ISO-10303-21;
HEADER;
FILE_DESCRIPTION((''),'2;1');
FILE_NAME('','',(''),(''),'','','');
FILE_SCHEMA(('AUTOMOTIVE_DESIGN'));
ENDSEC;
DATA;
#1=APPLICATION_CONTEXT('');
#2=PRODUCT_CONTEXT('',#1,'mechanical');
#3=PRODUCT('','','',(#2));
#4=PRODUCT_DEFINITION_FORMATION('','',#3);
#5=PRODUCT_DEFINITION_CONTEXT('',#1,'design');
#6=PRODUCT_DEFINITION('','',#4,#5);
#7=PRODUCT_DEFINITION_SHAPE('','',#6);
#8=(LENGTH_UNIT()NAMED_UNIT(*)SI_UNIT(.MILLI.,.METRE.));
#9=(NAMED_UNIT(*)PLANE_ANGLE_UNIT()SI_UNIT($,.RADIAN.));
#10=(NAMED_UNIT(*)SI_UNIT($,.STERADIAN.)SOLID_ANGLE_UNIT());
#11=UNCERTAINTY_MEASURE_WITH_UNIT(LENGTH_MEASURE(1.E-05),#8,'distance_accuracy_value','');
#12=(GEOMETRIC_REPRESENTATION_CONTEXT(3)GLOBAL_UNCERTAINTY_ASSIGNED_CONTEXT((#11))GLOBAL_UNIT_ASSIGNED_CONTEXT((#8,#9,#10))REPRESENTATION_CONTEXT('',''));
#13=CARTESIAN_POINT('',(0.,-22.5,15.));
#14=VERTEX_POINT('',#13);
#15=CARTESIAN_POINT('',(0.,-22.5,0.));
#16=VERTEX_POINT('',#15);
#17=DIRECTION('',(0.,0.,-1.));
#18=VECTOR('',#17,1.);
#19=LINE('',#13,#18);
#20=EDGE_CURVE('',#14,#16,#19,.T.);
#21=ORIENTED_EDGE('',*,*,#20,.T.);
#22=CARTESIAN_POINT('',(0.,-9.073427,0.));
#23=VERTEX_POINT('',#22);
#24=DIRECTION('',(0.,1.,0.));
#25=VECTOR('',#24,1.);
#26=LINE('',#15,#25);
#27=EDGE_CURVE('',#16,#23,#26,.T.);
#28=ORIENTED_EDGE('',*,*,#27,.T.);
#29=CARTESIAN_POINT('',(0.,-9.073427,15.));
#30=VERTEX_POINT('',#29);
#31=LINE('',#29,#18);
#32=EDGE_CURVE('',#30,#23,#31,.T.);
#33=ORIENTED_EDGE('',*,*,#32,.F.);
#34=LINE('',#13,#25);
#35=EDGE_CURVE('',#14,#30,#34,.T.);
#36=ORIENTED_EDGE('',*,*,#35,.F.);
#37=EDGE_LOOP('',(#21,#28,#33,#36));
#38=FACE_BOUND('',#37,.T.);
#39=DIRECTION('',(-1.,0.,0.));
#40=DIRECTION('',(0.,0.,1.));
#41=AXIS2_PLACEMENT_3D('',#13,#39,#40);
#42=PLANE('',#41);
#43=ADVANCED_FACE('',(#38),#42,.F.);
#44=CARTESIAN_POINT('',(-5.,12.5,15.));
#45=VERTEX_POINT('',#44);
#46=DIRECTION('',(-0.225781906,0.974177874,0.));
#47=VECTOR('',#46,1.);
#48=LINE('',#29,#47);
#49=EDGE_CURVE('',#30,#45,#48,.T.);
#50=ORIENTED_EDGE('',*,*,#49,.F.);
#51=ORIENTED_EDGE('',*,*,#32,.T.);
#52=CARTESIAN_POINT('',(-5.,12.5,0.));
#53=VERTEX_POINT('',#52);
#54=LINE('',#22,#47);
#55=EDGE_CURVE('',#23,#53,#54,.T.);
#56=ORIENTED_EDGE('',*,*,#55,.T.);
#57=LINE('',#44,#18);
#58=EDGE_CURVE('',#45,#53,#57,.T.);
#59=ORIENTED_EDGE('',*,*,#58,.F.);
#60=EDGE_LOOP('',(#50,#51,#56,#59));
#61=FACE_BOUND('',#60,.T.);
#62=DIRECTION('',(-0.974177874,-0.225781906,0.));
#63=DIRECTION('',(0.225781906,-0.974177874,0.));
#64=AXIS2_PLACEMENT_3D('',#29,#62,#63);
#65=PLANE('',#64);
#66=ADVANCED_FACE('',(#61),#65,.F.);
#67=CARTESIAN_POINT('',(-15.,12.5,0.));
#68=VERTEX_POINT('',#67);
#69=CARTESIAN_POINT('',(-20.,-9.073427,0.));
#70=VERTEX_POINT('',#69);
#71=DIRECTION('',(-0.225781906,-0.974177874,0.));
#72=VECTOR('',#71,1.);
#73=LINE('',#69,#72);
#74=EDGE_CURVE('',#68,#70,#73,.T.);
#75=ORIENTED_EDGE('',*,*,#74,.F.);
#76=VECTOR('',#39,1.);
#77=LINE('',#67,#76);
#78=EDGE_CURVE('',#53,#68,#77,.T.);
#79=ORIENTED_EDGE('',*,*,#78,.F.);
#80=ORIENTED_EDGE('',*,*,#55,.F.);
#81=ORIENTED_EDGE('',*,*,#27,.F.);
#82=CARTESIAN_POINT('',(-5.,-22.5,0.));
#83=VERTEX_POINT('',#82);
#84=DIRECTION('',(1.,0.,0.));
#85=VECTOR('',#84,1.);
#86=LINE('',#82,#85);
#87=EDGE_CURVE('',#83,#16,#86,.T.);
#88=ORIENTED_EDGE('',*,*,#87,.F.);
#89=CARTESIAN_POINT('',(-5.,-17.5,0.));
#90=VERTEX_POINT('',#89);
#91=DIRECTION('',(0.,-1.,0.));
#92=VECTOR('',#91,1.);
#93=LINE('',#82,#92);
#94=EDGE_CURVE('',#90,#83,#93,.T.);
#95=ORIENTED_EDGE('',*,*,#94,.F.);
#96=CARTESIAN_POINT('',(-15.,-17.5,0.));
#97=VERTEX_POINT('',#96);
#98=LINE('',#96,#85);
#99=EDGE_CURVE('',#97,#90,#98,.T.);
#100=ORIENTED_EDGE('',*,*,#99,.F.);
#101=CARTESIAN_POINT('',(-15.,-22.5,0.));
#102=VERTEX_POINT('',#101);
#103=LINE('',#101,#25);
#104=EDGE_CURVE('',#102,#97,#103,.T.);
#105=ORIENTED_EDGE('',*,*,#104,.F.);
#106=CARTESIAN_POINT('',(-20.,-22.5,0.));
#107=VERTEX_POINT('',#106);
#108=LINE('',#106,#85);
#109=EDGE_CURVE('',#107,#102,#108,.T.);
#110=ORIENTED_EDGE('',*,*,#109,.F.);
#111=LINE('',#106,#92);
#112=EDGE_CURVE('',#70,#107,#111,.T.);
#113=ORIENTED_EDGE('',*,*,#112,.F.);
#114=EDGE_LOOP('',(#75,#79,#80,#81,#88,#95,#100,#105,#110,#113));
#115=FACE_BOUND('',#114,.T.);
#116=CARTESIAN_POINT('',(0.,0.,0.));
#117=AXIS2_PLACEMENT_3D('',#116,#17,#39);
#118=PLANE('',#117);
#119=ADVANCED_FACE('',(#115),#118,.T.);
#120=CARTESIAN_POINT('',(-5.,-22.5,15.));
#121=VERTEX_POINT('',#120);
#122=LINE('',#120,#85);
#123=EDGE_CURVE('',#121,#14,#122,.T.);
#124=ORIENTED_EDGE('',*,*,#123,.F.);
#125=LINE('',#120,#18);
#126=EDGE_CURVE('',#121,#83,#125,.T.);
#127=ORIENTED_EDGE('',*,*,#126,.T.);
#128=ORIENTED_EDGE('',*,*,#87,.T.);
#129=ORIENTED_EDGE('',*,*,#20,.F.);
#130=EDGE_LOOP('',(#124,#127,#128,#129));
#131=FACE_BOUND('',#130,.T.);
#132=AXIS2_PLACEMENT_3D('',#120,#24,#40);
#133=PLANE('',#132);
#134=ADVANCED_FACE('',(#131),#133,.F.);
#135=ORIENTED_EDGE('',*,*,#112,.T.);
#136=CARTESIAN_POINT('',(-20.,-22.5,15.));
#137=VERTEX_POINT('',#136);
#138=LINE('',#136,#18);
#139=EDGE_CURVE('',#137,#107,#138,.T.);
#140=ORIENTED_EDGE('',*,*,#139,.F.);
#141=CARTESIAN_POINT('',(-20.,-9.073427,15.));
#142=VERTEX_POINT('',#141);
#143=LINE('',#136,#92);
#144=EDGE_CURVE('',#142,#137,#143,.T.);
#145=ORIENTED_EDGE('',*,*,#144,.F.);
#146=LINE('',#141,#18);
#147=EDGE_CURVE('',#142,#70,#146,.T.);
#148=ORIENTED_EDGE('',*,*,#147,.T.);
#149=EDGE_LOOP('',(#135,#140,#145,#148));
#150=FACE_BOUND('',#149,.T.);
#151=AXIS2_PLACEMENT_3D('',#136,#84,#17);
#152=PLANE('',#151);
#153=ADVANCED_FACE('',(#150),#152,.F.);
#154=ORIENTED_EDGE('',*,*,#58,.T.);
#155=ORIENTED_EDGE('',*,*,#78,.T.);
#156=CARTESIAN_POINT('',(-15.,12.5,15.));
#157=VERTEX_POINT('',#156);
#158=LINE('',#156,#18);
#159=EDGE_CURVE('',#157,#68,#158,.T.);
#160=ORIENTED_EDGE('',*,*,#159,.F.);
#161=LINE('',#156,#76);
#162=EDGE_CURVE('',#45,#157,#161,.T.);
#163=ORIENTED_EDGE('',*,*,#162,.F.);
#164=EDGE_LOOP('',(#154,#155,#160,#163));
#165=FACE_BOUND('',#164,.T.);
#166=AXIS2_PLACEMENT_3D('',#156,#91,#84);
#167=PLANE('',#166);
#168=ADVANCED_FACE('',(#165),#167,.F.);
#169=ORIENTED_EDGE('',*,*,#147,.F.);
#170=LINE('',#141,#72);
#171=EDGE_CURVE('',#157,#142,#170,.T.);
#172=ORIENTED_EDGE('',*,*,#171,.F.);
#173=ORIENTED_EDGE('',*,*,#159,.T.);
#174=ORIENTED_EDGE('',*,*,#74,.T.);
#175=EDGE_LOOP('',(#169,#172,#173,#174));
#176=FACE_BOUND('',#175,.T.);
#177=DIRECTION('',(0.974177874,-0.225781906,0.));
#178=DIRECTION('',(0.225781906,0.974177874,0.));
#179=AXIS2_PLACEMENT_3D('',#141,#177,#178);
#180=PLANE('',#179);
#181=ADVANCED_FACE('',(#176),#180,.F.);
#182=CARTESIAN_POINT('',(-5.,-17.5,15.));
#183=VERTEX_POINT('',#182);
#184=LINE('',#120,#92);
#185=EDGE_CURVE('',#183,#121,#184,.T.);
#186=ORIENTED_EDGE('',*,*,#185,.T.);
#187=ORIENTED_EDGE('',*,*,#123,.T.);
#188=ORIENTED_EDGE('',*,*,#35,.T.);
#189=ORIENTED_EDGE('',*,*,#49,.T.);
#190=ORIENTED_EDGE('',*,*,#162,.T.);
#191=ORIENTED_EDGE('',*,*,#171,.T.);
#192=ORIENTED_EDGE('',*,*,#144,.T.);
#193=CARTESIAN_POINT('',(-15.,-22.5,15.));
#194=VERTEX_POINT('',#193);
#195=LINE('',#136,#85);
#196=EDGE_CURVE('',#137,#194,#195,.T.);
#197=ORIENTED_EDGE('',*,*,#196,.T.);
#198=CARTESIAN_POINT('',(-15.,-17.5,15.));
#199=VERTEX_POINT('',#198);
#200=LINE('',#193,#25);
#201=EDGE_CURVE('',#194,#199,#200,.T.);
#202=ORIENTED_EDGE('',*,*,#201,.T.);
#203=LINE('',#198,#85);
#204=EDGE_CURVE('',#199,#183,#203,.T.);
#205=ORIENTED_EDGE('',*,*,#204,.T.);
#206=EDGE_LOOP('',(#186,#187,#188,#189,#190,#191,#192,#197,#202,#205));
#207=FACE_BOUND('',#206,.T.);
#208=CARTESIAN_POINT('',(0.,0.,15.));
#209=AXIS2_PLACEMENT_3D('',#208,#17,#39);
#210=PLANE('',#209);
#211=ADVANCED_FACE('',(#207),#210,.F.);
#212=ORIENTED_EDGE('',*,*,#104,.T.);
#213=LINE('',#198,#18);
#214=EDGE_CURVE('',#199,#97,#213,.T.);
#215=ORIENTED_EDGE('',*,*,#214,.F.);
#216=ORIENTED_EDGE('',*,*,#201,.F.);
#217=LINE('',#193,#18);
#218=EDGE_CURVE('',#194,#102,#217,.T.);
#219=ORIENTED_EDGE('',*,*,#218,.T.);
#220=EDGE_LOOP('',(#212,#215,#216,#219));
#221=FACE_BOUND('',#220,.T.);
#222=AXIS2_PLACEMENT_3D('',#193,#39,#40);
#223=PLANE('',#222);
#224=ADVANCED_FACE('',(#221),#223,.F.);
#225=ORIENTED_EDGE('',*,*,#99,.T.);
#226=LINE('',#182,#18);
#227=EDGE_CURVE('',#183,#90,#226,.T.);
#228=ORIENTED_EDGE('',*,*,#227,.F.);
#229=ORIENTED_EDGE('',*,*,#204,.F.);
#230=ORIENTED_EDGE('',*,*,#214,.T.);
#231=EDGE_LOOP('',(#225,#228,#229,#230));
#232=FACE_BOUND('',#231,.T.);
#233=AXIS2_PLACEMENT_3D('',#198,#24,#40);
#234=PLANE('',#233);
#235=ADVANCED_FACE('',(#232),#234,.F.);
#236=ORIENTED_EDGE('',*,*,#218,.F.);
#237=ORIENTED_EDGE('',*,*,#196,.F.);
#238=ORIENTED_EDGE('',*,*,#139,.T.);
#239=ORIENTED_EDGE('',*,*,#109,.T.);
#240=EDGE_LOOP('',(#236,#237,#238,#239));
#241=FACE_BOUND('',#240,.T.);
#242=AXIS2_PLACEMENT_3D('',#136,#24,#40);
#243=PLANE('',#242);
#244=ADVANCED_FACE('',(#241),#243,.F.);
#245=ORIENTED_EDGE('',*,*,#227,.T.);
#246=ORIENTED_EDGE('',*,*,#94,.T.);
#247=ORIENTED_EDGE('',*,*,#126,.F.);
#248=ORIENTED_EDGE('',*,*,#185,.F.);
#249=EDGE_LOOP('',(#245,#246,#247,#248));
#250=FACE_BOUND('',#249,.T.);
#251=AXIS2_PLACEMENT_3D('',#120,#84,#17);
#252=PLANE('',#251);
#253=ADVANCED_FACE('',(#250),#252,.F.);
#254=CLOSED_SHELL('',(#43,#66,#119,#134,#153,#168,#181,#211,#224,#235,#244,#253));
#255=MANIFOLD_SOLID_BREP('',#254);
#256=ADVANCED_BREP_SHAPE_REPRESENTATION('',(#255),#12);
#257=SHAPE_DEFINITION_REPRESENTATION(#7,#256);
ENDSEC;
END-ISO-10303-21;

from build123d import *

# Parameters (mm, degrees)
BOSS_EXTRUDE1_DEPTH = 15


with BuildPart() as part:
    # Sketch4 → Boss-Extrude1 (new body)
    with BuildSketch(Plane.XY):
        Polygon((-20, -9.073426573), (-15, 12.5), (-5, 12.5), (0, -9.073426573), (0, -22.5), (-5, -22.5), (-5, -17.5), (-15, -17.5), (-15, -22.5), (-20, -22.5), align=None)
    extrude(amount=BOSS_EXTRUDE1_DEPTH)


solid = part.part
